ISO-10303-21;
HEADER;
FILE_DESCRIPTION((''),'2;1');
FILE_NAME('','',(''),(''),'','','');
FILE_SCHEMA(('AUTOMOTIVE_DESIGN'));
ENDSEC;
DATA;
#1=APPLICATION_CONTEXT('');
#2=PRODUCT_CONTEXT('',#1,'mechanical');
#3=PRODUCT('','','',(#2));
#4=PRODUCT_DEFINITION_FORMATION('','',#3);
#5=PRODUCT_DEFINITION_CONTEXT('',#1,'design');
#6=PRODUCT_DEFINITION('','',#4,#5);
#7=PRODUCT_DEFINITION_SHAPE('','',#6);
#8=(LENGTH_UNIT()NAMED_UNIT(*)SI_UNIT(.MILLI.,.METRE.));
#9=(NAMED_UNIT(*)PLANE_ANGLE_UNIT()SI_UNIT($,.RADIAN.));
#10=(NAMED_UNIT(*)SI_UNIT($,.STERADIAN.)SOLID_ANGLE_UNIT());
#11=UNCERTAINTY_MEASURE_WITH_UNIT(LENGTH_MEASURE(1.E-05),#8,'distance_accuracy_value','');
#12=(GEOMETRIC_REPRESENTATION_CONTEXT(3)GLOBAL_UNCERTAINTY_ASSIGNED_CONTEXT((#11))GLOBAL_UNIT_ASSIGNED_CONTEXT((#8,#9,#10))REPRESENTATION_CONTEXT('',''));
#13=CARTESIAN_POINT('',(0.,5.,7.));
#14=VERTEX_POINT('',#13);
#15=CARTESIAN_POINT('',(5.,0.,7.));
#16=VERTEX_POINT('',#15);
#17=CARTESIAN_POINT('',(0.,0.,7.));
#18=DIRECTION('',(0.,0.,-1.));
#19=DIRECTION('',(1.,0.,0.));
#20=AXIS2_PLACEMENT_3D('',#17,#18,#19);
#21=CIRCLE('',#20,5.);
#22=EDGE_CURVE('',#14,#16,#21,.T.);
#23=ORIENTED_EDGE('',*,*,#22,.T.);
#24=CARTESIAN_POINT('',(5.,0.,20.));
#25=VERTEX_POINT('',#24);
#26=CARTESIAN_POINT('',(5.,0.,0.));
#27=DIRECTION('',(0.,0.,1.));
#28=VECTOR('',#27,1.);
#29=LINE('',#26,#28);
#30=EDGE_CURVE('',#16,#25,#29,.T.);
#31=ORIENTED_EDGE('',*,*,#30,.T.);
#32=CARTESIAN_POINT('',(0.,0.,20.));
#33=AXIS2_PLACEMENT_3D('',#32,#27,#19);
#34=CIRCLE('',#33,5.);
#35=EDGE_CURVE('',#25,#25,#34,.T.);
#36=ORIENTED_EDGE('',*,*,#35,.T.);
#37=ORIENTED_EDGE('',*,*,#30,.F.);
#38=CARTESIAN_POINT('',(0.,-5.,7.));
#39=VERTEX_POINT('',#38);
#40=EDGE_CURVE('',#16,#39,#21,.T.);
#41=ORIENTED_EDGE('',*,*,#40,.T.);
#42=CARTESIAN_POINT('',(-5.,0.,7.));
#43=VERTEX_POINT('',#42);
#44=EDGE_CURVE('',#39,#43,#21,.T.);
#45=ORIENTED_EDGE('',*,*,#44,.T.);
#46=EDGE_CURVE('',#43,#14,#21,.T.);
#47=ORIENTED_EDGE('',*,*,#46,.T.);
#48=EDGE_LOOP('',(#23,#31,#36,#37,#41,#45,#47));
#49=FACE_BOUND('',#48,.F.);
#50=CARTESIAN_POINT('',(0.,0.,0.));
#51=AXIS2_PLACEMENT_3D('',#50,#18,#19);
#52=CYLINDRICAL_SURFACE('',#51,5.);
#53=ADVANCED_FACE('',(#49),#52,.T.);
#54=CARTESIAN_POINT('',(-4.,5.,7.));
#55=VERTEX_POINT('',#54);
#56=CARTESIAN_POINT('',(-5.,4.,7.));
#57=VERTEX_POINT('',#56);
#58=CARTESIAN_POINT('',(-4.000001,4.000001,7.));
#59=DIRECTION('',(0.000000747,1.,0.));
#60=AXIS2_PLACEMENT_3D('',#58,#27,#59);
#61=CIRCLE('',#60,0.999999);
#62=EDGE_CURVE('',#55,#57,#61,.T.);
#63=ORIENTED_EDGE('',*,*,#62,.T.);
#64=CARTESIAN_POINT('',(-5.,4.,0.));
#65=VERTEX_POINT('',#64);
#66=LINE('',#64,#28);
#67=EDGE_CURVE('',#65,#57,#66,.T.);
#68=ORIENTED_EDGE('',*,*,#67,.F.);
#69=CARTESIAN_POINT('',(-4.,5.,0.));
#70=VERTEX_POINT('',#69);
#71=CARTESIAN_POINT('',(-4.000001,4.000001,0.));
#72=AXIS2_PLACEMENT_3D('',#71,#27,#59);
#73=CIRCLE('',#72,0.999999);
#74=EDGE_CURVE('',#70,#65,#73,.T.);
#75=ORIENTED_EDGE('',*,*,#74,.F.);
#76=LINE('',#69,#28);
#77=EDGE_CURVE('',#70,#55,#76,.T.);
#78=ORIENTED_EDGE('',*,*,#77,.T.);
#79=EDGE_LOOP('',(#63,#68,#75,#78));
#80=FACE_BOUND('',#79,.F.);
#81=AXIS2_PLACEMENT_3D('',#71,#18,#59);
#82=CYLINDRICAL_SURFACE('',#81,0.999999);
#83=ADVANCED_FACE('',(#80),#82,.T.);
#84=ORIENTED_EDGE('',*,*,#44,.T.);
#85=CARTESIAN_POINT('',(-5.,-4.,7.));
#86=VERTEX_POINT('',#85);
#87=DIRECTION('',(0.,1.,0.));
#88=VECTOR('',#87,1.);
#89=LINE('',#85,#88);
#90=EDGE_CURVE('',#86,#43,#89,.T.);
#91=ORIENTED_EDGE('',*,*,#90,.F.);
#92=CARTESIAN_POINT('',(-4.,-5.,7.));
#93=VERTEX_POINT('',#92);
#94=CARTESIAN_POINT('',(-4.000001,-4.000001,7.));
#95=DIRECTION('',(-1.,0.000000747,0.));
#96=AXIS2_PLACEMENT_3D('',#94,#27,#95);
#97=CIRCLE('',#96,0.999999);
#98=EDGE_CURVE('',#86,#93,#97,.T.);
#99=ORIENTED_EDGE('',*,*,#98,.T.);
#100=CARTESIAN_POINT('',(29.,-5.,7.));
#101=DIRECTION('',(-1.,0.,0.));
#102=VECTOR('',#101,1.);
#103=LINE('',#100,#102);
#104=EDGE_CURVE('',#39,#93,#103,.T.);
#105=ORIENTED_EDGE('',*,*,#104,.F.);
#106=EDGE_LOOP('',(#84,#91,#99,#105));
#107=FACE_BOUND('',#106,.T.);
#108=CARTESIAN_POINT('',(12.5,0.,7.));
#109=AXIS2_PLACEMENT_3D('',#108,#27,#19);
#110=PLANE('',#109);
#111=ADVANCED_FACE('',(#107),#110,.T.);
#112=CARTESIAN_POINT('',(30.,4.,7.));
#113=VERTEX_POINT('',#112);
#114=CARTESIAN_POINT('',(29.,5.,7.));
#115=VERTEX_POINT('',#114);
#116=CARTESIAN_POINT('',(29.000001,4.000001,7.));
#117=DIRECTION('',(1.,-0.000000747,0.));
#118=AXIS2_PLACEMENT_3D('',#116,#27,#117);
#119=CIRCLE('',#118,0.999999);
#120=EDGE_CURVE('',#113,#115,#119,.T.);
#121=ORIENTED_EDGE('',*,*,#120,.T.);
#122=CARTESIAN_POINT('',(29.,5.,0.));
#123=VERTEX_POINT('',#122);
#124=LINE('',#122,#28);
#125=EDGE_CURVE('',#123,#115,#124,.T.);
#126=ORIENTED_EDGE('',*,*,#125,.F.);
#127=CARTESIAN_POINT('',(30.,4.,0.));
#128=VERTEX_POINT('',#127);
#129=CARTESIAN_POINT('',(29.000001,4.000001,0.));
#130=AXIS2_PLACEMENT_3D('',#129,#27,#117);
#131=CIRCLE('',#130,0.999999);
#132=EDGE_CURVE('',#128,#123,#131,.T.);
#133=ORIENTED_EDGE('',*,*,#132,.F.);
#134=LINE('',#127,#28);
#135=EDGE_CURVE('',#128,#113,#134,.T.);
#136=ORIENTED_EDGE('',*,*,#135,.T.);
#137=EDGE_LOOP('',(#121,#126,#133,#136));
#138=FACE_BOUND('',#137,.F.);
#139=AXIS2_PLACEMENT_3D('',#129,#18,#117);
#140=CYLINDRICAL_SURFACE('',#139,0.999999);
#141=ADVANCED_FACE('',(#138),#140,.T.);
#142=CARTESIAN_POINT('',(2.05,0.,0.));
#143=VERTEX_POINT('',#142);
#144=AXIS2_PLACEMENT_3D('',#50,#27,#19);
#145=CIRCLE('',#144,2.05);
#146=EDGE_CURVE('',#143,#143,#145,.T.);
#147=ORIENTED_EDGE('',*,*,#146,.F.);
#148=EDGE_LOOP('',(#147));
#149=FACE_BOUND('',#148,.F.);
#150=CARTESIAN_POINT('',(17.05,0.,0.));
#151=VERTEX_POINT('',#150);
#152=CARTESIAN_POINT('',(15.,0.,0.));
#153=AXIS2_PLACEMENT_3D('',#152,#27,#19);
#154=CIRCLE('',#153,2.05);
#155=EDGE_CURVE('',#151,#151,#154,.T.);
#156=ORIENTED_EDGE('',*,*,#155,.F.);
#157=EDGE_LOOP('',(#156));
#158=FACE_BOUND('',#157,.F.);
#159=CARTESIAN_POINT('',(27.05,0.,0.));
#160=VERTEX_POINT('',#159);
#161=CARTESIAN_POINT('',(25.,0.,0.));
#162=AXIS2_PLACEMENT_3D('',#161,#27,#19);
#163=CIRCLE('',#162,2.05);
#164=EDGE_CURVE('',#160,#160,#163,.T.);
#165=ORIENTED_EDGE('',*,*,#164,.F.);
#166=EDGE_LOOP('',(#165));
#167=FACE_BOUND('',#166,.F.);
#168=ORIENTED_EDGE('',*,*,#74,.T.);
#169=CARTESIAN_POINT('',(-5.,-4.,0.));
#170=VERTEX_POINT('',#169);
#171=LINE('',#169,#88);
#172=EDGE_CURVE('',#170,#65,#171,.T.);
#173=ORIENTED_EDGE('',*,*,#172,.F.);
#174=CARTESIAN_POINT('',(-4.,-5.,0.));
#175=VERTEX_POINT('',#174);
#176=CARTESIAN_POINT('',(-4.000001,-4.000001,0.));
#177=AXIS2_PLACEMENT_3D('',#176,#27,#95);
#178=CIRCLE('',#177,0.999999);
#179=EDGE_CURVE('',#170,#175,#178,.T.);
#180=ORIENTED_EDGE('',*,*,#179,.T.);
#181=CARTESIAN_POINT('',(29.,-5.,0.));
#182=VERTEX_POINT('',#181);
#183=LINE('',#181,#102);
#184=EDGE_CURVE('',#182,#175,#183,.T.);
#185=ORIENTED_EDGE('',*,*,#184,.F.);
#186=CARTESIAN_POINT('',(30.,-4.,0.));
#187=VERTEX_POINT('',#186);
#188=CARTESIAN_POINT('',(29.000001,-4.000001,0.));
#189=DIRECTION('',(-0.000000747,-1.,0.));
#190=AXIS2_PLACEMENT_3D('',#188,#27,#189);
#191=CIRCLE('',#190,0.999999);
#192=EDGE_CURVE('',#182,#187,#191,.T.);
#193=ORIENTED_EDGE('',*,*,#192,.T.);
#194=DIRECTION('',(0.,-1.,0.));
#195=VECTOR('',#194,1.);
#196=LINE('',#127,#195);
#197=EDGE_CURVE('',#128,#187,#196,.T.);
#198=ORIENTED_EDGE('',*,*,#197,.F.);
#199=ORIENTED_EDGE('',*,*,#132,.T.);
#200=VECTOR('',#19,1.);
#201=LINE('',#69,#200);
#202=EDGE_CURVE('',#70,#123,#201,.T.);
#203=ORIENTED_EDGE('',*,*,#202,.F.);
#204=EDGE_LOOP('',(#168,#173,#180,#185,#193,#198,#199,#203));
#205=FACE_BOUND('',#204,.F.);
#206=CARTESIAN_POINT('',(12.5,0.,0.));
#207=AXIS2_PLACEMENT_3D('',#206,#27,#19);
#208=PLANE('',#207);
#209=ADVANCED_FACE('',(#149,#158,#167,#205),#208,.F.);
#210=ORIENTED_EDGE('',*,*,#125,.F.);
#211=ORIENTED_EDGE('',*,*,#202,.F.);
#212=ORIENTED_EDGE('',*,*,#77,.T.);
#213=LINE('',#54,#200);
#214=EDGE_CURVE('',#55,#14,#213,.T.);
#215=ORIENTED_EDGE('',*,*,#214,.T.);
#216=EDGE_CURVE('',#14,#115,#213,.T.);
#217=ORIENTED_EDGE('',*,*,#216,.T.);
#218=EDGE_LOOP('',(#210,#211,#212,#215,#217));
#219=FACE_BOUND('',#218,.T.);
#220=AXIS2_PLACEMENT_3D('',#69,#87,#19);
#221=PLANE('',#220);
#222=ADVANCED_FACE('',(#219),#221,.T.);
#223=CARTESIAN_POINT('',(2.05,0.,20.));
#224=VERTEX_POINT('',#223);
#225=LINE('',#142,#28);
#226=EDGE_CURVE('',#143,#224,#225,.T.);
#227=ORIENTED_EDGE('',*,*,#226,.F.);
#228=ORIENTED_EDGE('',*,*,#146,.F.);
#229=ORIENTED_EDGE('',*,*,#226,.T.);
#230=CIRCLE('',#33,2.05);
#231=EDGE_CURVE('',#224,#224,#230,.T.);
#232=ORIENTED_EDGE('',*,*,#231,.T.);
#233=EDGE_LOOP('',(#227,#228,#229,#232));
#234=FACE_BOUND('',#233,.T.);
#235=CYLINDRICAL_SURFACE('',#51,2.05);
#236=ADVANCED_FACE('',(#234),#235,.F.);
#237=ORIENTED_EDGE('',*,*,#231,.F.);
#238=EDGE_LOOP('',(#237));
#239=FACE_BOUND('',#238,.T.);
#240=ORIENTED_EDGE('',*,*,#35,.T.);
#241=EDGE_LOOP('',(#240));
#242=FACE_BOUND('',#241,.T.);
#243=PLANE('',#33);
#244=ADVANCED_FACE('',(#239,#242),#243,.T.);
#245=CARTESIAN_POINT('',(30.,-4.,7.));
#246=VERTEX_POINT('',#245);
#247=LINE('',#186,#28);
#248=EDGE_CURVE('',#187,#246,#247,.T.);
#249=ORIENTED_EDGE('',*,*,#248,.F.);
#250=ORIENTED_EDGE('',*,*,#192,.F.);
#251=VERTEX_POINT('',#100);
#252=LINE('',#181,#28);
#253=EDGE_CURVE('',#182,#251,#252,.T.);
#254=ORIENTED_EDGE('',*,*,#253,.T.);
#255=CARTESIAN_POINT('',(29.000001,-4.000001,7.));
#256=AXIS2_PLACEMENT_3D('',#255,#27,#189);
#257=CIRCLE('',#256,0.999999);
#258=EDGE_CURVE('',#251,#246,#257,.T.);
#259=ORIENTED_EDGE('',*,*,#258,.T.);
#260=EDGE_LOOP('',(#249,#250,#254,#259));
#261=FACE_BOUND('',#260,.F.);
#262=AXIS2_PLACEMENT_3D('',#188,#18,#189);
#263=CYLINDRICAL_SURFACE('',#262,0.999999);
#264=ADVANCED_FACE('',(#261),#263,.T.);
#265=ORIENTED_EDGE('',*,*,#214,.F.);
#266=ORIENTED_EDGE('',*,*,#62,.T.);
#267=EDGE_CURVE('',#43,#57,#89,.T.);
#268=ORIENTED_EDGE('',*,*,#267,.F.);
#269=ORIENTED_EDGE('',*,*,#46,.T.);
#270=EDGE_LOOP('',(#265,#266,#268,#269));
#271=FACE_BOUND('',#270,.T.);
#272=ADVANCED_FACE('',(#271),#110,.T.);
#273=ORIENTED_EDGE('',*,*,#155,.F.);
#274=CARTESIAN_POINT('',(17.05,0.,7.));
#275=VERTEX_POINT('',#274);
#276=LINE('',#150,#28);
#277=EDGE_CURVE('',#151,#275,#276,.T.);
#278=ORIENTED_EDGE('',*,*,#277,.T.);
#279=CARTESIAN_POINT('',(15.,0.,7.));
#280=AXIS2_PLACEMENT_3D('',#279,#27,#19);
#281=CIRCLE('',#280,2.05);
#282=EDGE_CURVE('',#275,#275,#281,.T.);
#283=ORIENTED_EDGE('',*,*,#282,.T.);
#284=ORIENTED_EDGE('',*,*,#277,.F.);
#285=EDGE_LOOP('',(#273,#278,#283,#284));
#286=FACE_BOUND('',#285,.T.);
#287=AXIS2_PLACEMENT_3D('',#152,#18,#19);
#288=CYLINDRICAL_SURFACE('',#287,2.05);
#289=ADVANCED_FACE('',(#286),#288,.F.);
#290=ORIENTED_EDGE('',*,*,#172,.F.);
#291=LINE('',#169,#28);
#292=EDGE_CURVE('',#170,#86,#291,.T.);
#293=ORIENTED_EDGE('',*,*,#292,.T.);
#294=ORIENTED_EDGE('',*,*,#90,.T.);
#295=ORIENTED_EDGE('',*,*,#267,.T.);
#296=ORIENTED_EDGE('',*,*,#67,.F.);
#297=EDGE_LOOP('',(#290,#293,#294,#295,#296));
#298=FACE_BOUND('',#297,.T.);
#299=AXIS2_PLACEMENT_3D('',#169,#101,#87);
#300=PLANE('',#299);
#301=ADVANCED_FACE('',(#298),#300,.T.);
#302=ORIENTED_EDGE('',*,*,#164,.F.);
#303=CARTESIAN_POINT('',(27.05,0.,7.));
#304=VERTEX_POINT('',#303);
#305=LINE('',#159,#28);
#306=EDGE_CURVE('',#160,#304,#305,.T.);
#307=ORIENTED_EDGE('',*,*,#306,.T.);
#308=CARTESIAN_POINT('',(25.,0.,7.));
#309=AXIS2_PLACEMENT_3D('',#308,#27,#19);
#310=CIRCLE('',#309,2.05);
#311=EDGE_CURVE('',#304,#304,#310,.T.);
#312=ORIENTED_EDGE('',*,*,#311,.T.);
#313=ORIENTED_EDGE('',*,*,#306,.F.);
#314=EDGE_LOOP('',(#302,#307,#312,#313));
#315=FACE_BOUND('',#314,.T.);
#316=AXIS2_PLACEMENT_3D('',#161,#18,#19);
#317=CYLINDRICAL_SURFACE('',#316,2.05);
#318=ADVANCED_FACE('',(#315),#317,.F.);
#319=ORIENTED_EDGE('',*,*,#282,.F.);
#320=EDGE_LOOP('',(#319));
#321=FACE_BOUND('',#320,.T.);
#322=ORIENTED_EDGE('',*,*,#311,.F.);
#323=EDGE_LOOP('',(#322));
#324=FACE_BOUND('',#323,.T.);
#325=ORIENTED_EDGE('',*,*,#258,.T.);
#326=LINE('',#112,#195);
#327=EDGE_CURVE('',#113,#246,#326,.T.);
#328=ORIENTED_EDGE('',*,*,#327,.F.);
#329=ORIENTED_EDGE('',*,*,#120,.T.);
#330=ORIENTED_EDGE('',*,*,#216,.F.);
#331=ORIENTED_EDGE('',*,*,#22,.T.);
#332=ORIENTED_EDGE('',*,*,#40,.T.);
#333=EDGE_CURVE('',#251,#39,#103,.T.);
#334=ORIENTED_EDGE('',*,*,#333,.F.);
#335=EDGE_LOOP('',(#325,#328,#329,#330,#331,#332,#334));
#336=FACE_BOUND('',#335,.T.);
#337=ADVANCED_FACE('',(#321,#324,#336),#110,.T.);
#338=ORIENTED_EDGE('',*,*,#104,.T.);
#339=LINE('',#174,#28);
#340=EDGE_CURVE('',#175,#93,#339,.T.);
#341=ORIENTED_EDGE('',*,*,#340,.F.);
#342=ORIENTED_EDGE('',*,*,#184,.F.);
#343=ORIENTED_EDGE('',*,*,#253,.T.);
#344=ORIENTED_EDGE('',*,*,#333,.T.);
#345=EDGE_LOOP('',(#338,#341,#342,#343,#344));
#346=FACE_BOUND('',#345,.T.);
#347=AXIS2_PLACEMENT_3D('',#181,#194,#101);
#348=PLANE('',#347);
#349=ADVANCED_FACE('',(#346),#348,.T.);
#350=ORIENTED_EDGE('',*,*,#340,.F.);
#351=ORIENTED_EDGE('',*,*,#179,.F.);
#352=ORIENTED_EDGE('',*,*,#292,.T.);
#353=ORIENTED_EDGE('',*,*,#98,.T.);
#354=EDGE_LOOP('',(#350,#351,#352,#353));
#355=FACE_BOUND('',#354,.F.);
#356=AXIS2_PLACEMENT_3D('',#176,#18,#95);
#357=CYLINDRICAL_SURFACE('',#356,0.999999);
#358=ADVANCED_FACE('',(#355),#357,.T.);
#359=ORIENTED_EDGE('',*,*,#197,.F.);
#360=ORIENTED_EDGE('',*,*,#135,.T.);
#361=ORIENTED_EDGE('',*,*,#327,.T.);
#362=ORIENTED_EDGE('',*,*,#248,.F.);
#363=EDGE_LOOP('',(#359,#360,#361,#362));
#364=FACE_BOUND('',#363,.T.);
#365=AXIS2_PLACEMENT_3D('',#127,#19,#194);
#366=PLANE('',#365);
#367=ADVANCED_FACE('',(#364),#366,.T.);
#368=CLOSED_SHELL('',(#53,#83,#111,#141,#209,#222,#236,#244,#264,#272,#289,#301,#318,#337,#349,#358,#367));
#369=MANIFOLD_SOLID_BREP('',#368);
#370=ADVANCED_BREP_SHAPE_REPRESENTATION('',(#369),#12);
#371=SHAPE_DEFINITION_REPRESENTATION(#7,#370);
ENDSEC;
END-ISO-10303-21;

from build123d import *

# Parameters (mm, degrees)
SKETCH_R      = 2.05
PAD_DEPTH     = 7
SKETCH001_R   = 5
SKETCH001_R_2 = 2.05
PAD001_DEPTH  = 20


with BuildPart() as part:
    # Sketch → Pad (new body)
    with BuildSketch(Plane.XY):
        with BuildLine():
            ThreePointArc((-4, 5), (-4.707107, 4.707107), (-5, 4))
            Line((-5, -4), (-5, 4))
            ThreePointArc((-5, -4), (-4.707107, -4.707107), (-4, -5))
            Line((29, -5), (-4, -5))
            ThreePointArc((29, -5), (29.707107, -4.707107), (30, -4))
            Line((30, 4), (30, -4))
            ThreePointArc((30, 4), (29.707107, 4.707107), (29, 5))
            Line((-4, 5), (29, 5))
        make_face()
        Circle(SKETCH_R, mode=Mode.SUBTRACT)
        with Locations((15, 0)):
            Circle(SKETCH_R, mode=Mode.SUBTRACT)
        with Locations((25, 0)):
            Circle(SKETCH_R, mode=Mode.SUBTRACT)
    extrude(amount=PAD_DEPTH)

    # Sketch001 → Pad001 (join)
    with BuildSketch(Plane.XY):
        Circle(SKETCH001_R)
        Circle(SKETCH001_R_2, mode=Mode.SUBTRACT)
    extrude(amount=PAD001_DEPTH)


solid = part.part
